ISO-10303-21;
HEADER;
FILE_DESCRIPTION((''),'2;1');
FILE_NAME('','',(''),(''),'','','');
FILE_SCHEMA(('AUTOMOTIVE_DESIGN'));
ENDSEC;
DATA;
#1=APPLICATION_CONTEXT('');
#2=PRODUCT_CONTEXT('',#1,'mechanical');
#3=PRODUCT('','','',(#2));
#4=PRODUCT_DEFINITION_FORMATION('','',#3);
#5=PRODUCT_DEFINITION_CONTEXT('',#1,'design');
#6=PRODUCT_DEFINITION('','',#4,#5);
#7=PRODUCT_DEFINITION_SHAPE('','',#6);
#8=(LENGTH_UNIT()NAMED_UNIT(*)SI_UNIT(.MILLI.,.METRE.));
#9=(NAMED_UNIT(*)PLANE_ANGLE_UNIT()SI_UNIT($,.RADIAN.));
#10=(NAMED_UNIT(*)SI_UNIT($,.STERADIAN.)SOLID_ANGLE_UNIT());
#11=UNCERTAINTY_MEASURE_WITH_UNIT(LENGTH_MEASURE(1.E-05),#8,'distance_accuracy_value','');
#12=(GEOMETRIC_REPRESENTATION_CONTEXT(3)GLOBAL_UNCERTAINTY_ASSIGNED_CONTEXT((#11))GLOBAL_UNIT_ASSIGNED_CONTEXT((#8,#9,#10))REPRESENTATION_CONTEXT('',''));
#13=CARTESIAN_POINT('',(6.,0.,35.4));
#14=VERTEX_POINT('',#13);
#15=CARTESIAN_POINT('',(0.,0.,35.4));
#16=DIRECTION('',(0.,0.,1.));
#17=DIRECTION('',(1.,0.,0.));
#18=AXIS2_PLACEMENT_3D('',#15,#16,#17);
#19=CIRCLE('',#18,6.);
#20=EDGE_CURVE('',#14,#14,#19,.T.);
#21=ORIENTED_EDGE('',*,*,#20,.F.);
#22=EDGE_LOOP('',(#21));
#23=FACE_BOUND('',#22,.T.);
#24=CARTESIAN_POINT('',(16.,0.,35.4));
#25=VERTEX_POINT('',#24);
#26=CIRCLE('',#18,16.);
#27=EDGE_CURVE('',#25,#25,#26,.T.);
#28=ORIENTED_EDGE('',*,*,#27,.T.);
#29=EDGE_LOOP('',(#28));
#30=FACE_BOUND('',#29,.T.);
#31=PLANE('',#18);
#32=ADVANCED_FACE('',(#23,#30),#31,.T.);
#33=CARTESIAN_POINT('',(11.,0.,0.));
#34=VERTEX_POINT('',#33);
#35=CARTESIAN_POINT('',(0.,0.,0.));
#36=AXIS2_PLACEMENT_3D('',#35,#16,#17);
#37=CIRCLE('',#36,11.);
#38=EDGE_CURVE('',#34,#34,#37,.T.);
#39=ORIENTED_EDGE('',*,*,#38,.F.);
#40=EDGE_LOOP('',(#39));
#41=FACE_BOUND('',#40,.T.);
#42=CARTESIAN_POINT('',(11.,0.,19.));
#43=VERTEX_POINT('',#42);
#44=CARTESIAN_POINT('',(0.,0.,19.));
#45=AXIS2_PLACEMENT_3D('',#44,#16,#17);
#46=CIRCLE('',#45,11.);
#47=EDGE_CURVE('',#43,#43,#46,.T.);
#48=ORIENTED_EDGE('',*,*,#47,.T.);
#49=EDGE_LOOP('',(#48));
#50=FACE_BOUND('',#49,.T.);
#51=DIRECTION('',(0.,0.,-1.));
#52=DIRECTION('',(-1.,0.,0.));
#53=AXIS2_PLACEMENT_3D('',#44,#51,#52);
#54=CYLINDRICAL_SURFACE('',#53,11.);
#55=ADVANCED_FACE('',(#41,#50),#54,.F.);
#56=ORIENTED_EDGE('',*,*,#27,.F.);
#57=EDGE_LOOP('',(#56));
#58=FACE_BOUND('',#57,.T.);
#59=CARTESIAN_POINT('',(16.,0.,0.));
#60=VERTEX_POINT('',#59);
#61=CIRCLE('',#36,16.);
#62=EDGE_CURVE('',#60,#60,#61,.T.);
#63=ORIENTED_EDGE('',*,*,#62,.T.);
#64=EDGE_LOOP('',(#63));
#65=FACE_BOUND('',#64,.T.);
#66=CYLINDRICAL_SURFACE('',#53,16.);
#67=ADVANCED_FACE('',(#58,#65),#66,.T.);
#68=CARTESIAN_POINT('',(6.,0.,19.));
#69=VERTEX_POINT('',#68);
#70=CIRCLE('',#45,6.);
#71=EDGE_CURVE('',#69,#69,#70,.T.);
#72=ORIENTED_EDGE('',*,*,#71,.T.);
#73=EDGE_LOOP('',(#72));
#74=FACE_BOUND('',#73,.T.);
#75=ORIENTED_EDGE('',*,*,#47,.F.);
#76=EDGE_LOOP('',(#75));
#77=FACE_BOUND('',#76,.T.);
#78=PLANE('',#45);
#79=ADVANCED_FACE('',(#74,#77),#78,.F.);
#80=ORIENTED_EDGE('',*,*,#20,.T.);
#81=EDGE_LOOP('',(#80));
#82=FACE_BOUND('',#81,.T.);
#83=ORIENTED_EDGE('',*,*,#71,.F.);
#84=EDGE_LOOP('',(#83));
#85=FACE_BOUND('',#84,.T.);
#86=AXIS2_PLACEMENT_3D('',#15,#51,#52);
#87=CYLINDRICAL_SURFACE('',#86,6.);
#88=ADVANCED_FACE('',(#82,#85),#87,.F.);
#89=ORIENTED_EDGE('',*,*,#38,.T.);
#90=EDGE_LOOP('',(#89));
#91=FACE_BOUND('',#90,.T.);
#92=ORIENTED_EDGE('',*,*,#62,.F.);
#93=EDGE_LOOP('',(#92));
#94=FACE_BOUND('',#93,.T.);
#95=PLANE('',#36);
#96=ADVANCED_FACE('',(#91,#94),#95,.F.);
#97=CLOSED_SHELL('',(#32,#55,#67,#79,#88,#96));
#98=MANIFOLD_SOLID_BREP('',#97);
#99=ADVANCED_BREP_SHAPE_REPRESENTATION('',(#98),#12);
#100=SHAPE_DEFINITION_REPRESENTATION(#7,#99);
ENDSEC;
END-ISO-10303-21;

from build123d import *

# Parameters (mm, degrees)
CROQUIS1_R              = 16
CROQUIS1_R_2            = 11
SALIENTE_EXTRUIR1_DEPTH = 19
CROQUIS2_R              = 16
CROQUIS2_R_2            = 6
SALIENTE_EXTRUIR2_DEPTH = 16.4


with BuildPart() as part:
    # Croquis1 → Saliente-Extruir1 (new body)
    with BuildSketch(Plane.XY):
        Circle(CROQUIS1_R)
        Circle(CROQUIS1_R_2, mode=Mode.SUBTRACT)
    extrude(amount=SALIENTE_EXTRUIR1_DEPTH)

    # Croquis2 → Saliente-Extruir2 (add)
    with BuildSketch(Plane.XY.offset(19)):
        Circle(CROQUIS2_R)
        Circle(CROQUIS2_R_2, mode=Mode.SUBTRACT)
    extrude(amount=SALIENTE_EXTRUIR2_DEPTH)


solid = part.part
